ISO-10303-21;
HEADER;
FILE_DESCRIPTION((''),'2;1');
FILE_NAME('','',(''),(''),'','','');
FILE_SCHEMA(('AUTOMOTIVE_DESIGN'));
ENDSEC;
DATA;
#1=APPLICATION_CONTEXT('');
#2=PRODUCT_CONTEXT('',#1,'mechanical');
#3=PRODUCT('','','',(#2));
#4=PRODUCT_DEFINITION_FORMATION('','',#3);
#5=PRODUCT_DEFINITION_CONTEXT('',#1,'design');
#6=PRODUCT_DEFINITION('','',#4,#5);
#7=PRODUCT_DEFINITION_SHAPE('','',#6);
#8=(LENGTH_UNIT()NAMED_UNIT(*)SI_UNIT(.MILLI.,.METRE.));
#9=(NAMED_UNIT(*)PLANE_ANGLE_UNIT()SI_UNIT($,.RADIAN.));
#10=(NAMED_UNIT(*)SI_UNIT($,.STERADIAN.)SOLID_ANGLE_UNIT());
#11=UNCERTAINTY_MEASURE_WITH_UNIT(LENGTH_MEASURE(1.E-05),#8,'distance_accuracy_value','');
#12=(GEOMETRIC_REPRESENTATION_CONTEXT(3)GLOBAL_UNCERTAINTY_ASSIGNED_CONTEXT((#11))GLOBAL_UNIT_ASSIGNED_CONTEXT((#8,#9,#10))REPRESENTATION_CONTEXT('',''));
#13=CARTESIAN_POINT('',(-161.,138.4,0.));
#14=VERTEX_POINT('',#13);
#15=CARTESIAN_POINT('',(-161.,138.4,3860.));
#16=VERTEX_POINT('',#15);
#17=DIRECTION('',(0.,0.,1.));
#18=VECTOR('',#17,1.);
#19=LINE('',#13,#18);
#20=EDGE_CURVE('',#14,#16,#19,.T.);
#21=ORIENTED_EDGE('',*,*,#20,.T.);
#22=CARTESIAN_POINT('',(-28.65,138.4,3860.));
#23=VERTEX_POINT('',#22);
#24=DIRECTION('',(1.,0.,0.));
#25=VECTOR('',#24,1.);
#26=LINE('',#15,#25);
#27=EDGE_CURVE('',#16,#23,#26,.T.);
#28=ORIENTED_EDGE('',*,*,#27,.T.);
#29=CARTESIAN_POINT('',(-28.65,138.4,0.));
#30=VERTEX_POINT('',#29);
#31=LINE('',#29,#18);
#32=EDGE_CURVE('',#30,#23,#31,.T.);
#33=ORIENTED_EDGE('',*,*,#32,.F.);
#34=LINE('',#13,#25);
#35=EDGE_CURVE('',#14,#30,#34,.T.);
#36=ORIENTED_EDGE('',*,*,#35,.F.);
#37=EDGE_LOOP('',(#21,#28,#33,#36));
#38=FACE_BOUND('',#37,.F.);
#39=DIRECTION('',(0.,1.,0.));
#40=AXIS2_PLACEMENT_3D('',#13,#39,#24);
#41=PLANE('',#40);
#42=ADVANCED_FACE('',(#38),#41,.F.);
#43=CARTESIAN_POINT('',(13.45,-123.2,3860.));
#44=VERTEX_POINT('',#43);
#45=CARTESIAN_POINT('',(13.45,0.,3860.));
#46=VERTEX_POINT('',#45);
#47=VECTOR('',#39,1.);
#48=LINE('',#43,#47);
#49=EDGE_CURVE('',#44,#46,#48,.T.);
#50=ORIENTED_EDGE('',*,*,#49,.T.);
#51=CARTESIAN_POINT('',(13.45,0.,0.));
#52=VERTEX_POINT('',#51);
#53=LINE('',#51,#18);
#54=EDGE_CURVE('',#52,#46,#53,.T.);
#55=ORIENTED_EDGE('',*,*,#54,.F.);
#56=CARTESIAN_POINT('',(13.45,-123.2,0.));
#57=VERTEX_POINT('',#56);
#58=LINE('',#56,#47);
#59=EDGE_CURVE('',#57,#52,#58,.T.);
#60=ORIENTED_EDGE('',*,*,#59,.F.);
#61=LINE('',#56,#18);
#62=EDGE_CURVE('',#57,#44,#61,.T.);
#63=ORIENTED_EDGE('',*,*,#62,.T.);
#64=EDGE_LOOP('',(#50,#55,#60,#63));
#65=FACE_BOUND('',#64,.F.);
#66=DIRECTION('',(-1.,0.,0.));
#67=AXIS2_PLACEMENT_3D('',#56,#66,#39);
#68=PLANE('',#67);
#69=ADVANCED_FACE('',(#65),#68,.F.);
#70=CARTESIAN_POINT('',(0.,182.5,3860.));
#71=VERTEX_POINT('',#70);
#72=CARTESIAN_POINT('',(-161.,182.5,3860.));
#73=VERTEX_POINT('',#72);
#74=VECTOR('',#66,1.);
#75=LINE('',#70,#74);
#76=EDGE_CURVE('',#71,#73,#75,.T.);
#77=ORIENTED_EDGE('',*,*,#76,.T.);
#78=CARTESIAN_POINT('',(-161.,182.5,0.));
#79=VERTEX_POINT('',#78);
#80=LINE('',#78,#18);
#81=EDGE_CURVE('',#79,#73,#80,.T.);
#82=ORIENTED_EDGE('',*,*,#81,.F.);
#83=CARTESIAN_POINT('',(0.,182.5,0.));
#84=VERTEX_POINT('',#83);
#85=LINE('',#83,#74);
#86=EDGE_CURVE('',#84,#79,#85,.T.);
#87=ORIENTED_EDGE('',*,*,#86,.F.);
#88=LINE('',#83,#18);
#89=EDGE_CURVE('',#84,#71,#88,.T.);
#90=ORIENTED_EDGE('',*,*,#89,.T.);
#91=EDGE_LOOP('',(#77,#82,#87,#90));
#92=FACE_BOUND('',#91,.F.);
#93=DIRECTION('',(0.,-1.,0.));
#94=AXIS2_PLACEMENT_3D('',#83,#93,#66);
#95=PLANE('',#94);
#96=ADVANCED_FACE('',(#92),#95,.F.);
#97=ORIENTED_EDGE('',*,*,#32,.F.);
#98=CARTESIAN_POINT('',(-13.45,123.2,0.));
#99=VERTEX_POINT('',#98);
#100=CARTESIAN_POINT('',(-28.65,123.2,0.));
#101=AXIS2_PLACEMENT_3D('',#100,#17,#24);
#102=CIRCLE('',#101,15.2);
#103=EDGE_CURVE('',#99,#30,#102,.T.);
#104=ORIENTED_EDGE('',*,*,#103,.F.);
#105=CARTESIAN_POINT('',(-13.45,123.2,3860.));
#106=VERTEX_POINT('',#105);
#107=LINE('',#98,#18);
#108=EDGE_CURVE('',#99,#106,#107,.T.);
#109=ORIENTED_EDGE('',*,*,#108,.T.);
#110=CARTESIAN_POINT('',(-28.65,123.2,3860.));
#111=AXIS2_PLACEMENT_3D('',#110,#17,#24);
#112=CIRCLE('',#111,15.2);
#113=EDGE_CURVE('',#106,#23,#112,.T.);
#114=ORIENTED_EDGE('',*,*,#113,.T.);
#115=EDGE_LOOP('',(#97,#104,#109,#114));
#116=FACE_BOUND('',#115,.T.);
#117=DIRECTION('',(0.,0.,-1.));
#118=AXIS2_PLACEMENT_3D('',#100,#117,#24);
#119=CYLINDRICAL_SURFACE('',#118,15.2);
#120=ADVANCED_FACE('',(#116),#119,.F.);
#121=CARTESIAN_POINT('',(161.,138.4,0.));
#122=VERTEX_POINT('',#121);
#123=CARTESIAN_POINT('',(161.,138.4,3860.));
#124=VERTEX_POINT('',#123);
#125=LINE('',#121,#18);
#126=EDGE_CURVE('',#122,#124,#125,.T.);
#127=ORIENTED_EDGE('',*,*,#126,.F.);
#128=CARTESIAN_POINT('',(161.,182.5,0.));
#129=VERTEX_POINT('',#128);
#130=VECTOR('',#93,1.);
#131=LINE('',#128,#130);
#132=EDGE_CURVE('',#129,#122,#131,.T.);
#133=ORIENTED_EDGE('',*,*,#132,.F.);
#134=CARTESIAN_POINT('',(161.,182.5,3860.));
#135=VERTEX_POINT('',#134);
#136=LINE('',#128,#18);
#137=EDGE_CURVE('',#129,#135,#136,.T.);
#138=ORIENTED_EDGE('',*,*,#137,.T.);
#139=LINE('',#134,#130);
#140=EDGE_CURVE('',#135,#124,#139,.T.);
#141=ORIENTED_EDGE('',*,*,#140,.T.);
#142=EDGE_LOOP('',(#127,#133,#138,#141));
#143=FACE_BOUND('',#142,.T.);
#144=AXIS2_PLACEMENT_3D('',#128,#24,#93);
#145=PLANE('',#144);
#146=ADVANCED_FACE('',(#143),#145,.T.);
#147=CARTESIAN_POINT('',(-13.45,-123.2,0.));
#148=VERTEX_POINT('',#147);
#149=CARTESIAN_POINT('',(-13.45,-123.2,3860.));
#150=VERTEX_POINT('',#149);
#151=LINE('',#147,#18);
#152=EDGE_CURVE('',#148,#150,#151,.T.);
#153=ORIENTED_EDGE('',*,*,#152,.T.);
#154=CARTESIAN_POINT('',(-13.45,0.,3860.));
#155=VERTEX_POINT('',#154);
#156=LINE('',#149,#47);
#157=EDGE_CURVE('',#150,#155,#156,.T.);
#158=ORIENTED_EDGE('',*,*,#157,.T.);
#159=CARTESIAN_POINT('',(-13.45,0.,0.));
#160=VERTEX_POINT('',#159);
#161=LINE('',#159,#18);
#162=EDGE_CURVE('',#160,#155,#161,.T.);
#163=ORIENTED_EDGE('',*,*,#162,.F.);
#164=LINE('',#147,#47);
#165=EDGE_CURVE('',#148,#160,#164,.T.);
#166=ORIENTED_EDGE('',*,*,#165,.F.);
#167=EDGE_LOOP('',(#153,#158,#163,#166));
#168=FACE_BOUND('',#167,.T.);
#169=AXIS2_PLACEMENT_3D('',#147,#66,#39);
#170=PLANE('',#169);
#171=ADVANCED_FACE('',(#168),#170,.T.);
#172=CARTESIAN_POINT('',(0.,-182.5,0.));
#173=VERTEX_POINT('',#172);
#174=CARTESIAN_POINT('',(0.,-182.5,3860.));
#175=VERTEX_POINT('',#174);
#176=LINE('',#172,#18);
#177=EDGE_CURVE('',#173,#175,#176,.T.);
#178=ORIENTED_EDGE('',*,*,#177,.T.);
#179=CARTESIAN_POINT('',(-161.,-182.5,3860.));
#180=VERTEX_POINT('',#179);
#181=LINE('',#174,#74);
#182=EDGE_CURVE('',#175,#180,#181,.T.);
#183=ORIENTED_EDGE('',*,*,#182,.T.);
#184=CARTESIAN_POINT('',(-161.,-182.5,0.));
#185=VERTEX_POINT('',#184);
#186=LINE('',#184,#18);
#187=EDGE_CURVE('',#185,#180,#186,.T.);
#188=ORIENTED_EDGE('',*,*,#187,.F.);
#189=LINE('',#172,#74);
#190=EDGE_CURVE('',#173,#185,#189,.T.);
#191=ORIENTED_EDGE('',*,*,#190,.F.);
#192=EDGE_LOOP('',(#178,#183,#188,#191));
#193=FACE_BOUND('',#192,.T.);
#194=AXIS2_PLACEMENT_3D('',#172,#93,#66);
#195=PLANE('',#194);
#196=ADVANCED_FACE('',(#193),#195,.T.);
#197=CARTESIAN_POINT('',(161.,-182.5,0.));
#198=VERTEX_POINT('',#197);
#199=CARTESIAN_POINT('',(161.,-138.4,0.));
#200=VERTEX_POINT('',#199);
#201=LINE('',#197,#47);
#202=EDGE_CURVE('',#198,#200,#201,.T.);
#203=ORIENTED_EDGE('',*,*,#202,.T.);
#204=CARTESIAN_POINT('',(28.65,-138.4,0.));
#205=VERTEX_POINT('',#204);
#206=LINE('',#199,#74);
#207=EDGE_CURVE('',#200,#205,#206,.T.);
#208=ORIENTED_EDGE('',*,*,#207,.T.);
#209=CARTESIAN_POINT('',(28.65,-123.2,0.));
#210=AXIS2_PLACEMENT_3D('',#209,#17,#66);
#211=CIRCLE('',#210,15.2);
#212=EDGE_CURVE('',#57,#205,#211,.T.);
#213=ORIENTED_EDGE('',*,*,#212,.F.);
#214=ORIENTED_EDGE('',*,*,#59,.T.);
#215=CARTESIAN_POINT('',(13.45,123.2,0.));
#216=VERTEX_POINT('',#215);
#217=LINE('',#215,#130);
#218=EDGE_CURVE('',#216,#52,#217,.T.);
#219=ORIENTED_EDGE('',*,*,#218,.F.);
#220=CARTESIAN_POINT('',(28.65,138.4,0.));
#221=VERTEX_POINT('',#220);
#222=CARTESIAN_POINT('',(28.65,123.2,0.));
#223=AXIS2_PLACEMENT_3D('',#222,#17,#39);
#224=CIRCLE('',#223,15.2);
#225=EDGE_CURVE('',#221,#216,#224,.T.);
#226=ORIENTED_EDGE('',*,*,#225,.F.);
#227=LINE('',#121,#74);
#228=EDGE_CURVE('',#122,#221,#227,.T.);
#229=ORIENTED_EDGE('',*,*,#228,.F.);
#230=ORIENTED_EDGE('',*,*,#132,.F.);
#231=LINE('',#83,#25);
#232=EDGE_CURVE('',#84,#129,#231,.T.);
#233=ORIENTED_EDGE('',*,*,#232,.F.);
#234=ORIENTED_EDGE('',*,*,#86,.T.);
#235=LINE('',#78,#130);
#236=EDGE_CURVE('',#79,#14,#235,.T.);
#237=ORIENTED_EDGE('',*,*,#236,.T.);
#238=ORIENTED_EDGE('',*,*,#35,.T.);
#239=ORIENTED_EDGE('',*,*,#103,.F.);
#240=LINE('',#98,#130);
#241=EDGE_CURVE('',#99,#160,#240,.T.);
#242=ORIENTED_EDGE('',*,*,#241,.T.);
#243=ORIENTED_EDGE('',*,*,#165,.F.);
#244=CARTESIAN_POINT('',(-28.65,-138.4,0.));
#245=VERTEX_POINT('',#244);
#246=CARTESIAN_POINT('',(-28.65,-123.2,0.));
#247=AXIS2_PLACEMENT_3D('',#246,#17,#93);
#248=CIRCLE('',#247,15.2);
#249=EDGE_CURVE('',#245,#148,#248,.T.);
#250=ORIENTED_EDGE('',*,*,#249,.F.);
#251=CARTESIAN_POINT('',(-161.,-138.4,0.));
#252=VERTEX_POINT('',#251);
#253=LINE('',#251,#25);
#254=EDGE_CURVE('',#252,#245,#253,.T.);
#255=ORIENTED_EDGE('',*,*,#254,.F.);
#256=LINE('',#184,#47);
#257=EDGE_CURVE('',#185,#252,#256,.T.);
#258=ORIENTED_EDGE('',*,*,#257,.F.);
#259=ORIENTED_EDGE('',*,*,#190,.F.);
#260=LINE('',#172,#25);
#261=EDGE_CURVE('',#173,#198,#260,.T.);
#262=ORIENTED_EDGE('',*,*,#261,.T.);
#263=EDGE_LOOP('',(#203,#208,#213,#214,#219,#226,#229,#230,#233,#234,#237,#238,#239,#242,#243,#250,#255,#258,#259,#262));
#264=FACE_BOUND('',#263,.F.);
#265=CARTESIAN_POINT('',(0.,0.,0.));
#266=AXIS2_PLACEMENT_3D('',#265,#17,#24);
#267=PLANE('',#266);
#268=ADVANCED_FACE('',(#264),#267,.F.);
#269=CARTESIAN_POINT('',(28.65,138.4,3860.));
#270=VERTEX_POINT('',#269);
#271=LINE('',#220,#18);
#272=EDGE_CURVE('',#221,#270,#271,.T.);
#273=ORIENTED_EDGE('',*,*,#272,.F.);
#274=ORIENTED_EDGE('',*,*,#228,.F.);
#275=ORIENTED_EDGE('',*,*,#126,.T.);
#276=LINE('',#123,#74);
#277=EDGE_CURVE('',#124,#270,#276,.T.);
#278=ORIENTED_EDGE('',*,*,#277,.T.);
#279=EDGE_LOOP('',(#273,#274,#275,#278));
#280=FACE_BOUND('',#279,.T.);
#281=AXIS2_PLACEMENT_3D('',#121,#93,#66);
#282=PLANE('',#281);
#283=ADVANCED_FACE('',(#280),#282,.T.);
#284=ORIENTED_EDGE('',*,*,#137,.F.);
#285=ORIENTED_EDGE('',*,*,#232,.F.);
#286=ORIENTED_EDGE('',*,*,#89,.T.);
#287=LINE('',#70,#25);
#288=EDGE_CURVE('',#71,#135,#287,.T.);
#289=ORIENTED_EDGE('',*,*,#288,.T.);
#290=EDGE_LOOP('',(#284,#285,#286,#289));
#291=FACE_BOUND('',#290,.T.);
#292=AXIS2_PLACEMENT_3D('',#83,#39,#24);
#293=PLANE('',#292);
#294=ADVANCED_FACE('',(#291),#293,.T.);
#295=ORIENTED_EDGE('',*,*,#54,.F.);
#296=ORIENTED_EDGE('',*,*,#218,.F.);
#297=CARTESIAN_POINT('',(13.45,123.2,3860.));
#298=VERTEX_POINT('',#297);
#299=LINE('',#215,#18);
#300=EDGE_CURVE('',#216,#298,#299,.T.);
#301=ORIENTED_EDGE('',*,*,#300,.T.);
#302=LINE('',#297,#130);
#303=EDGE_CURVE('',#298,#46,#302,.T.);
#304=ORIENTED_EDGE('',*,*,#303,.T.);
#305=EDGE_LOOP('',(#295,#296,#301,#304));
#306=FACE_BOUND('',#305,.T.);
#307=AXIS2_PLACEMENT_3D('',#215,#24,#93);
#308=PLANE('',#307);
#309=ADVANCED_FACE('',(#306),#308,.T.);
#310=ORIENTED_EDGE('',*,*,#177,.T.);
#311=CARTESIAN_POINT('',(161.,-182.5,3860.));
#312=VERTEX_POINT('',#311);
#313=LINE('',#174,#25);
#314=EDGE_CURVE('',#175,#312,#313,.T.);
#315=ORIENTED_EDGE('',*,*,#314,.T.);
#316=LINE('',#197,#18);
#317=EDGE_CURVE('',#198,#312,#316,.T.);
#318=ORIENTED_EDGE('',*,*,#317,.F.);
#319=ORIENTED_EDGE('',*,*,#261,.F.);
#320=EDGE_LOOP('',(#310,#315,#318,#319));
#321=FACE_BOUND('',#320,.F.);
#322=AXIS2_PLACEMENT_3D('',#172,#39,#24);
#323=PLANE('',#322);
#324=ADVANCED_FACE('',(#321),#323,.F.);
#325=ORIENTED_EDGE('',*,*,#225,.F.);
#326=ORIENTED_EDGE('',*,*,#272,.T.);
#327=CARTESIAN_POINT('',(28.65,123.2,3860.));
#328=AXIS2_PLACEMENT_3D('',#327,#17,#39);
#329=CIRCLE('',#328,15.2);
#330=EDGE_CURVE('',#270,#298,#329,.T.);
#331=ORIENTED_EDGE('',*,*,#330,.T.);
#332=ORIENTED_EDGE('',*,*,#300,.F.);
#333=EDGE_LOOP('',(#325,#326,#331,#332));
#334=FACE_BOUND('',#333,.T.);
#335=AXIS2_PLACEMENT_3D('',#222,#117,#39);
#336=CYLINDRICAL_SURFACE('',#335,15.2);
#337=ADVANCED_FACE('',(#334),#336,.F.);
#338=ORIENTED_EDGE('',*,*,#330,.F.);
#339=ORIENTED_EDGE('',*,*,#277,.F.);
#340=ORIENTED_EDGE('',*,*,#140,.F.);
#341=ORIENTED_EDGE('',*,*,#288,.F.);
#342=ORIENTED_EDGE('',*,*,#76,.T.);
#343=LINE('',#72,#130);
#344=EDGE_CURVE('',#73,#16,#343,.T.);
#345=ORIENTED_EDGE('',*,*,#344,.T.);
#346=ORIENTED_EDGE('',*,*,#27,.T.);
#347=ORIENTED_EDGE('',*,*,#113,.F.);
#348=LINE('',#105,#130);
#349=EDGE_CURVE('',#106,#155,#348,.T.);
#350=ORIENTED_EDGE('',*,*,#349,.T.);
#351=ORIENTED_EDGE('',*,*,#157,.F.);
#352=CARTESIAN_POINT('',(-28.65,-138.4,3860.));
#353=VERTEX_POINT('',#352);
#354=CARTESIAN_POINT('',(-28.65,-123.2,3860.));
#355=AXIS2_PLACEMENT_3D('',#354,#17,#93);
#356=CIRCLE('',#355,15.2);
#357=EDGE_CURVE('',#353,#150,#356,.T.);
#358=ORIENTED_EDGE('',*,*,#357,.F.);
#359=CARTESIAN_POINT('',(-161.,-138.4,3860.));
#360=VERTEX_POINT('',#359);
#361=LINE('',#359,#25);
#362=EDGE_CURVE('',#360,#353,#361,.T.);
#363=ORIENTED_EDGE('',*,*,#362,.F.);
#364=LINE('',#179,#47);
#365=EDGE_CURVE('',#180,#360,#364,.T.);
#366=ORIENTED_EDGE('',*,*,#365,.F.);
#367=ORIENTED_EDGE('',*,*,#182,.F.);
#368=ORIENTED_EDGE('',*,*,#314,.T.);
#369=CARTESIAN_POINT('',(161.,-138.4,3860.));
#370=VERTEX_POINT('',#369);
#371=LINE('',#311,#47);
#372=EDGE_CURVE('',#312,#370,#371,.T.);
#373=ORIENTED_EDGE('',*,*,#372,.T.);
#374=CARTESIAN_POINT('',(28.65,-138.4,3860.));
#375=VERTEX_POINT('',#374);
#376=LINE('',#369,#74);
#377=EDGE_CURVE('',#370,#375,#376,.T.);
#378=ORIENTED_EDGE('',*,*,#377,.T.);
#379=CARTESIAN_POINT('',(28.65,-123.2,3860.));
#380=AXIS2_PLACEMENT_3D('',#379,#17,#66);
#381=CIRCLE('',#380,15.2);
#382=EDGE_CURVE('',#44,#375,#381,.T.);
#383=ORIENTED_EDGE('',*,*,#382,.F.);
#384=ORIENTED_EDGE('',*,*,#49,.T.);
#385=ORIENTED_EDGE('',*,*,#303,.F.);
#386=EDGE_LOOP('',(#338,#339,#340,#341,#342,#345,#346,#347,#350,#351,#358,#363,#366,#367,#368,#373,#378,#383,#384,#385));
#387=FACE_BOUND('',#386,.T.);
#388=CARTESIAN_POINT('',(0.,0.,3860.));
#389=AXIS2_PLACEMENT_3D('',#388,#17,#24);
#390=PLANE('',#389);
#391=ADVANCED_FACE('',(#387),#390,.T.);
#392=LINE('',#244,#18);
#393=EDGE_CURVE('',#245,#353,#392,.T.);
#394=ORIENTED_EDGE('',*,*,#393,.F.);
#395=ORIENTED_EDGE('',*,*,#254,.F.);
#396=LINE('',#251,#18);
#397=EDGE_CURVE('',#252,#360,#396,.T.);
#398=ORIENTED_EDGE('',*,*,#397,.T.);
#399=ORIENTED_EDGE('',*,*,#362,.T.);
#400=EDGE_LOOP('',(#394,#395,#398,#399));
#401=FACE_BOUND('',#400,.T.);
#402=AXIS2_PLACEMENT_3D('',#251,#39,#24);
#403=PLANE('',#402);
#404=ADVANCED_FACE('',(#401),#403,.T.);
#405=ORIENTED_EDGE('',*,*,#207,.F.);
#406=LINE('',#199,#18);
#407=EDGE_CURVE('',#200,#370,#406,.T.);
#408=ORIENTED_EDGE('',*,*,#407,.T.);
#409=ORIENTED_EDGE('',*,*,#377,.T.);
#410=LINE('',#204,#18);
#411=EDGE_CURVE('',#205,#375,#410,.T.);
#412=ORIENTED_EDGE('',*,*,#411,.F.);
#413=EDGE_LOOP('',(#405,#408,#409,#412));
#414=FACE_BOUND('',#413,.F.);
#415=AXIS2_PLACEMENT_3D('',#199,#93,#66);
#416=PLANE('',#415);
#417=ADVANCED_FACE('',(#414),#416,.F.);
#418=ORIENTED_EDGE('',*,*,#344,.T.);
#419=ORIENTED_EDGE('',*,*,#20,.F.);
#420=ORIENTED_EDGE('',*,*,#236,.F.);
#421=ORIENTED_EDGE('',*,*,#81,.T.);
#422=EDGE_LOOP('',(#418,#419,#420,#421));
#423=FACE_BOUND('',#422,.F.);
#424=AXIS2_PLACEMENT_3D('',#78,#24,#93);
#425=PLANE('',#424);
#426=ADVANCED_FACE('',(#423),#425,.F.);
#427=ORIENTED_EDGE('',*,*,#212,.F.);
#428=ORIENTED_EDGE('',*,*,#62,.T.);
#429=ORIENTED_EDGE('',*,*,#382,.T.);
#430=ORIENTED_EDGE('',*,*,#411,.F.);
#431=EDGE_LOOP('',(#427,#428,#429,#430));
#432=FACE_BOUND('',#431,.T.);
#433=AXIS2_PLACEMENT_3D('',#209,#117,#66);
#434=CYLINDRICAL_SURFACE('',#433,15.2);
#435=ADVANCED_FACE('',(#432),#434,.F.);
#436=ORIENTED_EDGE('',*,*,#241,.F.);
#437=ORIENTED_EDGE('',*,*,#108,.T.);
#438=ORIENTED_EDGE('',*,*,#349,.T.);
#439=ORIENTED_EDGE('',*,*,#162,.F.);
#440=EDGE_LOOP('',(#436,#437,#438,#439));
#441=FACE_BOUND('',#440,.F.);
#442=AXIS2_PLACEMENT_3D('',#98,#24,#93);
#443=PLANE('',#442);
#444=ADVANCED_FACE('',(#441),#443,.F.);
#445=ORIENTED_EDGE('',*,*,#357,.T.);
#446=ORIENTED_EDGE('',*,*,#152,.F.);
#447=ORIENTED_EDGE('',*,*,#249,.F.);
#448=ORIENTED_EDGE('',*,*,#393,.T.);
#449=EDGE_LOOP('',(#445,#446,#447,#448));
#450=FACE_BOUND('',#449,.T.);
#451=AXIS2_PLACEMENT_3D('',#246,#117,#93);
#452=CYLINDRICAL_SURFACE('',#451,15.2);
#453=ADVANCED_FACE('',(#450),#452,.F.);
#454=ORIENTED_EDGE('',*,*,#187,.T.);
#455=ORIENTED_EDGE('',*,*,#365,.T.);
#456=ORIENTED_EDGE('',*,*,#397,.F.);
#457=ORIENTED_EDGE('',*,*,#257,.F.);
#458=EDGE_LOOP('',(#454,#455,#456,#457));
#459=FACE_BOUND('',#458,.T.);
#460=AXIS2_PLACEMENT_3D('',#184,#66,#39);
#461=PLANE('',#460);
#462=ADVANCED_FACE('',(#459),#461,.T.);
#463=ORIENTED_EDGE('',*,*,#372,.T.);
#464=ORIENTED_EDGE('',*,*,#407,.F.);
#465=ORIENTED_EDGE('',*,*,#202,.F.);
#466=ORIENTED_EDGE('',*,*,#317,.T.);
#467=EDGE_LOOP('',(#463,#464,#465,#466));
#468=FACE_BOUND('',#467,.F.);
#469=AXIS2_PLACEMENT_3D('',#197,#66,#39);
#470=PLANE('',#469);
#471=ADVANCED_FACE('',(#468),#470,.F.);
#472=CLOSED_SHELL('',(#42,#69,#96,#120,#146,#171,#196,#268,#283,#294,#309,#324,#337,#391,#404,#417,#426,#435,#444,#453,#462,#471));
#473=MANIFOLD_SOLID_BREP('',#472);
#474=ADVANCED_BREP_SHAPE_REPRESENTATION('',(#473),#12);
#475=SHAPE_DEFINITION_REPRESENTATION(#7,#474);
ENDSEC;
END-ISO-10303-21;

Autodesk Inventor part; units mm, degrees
ref_plane "YZ Plane" through (0, 0, 0) normal (1, 0, 0) x (0, 1, 0)
ref_plane "Start plane" through (0, 0, 0) normal (0, 0, 1) x (1, 0, 0)
ref_plane "End plane" through (0, 0, 3860) normal (0, 0, 1) x (1, 0, 0)
sketch "Sketch" plane through (0, 0, 0) normal (0, 0, 1) x (1, 0, 0)
  line L0 (-161, -182.5) -> (-161, -138.4)
  line L1 (-161, -138.4) -> (-28.65, -138.4)
  line L2 (-13.45, -123.2) -> (-13.45, 0)
  line L3 (-13.45, 0) -> (0, 0) construction
  line L4 (0, 0) -> (0, -182.5) construction
  line L5 (0, -182.5) -> (-161, -182.5)
  line L6 (-60, 0) -> (80, 0) construction
  line L7 (0, -60) -> (0, 80) construction
  line L8 (161, -182.5) -> (161, -138.4)
  line L9 (161, -138.4) -> (28.65, -138.4)
  line L10 (13.45, -123.2) -> (13.45, 0)
  line L11 (13.45, 0) -> (0, 0) construction
  line L12 (0, -182.5) -> (161, -182.5)
  line L13 (-161, 182.5) -> (-161, 138.4)
  line L14 (-161, 138.4) -> (-28.65, 138.4)
  line L15 (-13.45, 123.2) -> (-13.45, 0)
  line L16 (0, 182.5) -> (-161, 182.5)
  line L17 (161, 182.5) -> (161, 138.4)
  line L18 (161, 138.4) -> (28.65, 138.4)
  line L19 (0, 182.5) -> (161, 182.5)
  line L20 (13.45, 123.2) -> (13.45, 0)
  arc A0 (-13.45, 123.2) -> (-28.65, 138.4) centre (-28.65, 123.2) ccw
  arc A1 (28.65, 138.4) -> (13.45, 123.2) centre (28.65, 123.2) ccw
  arc A2 (13.45, -123.2) -> (28.65, -138.4) centre (28.65, -123.2) ccw
  arc A3 (-28.65, -138.4) -> (-13.45, -123.2) centre (-28.65, -123.2) ccw
  line L21 (0, 108) -> (0, -88) construction
  line L22 (-88, 0) -> (108, 0) construction
  point P0 (-13.45, -138.4)
  point P1 (13.45, -138.4)
  point P2 (-13.45, 138.4)
  point P3 (13.45, 138.4)
  dimension "d1" = 182.5
  dimension "d2" = 44.1
  dimension "d3" = 161
  dimension "d4" = 13.45
  dimension "d10" = 15.2
extrude "Body" add sketch "Sketch" along normal up to surface (3860 mm away) from surface at 0
sketch "Sketch4" plane through (0, 0, 0) normal (0, 0, 1) x (1, 0, 0)
  line L0 (0, 0) -> (10, 0)
ref_plane "Work Plane3" through (0, 0, 0) normal (0, -1, 0) x (1, 0, 0)
sketch "Sketch5" plane through (0, 0, 0) normal (0, -1, 0) x (1, 0, 0)
  line L0 (-2, 0) -> (12, 0) projected
  line L1 (-2, 3860) -> (12, 3860) projected
  dimension "d14" = 3860
equation "\"d1\" = 0.5 * G_H"
equation "\"d2\" = G_T1"
equation "\"d3\" = 0.5 * G_W"
equation "\"d4\" = 0.5 * G_T"
equation "\"d10\" = G_IR"
equation "\"d5\" = G_L"
equation "\"G_W\" = 322"
equation "\"G_H\" = 365"
equation "\"G_T\" = 26.9"
equation "\"G_T1\" = 44.1"
equation "\"G_IR\" = 15.2"
equation "\"G_L\" = d14"
equation "\"G_OFFSET_START\" = 0"
equation "\"G_OFFSET_END\" = 0"
properties part number "AS 3679 - 310 UC - 283 - 3860" material "Steel, Mild"
